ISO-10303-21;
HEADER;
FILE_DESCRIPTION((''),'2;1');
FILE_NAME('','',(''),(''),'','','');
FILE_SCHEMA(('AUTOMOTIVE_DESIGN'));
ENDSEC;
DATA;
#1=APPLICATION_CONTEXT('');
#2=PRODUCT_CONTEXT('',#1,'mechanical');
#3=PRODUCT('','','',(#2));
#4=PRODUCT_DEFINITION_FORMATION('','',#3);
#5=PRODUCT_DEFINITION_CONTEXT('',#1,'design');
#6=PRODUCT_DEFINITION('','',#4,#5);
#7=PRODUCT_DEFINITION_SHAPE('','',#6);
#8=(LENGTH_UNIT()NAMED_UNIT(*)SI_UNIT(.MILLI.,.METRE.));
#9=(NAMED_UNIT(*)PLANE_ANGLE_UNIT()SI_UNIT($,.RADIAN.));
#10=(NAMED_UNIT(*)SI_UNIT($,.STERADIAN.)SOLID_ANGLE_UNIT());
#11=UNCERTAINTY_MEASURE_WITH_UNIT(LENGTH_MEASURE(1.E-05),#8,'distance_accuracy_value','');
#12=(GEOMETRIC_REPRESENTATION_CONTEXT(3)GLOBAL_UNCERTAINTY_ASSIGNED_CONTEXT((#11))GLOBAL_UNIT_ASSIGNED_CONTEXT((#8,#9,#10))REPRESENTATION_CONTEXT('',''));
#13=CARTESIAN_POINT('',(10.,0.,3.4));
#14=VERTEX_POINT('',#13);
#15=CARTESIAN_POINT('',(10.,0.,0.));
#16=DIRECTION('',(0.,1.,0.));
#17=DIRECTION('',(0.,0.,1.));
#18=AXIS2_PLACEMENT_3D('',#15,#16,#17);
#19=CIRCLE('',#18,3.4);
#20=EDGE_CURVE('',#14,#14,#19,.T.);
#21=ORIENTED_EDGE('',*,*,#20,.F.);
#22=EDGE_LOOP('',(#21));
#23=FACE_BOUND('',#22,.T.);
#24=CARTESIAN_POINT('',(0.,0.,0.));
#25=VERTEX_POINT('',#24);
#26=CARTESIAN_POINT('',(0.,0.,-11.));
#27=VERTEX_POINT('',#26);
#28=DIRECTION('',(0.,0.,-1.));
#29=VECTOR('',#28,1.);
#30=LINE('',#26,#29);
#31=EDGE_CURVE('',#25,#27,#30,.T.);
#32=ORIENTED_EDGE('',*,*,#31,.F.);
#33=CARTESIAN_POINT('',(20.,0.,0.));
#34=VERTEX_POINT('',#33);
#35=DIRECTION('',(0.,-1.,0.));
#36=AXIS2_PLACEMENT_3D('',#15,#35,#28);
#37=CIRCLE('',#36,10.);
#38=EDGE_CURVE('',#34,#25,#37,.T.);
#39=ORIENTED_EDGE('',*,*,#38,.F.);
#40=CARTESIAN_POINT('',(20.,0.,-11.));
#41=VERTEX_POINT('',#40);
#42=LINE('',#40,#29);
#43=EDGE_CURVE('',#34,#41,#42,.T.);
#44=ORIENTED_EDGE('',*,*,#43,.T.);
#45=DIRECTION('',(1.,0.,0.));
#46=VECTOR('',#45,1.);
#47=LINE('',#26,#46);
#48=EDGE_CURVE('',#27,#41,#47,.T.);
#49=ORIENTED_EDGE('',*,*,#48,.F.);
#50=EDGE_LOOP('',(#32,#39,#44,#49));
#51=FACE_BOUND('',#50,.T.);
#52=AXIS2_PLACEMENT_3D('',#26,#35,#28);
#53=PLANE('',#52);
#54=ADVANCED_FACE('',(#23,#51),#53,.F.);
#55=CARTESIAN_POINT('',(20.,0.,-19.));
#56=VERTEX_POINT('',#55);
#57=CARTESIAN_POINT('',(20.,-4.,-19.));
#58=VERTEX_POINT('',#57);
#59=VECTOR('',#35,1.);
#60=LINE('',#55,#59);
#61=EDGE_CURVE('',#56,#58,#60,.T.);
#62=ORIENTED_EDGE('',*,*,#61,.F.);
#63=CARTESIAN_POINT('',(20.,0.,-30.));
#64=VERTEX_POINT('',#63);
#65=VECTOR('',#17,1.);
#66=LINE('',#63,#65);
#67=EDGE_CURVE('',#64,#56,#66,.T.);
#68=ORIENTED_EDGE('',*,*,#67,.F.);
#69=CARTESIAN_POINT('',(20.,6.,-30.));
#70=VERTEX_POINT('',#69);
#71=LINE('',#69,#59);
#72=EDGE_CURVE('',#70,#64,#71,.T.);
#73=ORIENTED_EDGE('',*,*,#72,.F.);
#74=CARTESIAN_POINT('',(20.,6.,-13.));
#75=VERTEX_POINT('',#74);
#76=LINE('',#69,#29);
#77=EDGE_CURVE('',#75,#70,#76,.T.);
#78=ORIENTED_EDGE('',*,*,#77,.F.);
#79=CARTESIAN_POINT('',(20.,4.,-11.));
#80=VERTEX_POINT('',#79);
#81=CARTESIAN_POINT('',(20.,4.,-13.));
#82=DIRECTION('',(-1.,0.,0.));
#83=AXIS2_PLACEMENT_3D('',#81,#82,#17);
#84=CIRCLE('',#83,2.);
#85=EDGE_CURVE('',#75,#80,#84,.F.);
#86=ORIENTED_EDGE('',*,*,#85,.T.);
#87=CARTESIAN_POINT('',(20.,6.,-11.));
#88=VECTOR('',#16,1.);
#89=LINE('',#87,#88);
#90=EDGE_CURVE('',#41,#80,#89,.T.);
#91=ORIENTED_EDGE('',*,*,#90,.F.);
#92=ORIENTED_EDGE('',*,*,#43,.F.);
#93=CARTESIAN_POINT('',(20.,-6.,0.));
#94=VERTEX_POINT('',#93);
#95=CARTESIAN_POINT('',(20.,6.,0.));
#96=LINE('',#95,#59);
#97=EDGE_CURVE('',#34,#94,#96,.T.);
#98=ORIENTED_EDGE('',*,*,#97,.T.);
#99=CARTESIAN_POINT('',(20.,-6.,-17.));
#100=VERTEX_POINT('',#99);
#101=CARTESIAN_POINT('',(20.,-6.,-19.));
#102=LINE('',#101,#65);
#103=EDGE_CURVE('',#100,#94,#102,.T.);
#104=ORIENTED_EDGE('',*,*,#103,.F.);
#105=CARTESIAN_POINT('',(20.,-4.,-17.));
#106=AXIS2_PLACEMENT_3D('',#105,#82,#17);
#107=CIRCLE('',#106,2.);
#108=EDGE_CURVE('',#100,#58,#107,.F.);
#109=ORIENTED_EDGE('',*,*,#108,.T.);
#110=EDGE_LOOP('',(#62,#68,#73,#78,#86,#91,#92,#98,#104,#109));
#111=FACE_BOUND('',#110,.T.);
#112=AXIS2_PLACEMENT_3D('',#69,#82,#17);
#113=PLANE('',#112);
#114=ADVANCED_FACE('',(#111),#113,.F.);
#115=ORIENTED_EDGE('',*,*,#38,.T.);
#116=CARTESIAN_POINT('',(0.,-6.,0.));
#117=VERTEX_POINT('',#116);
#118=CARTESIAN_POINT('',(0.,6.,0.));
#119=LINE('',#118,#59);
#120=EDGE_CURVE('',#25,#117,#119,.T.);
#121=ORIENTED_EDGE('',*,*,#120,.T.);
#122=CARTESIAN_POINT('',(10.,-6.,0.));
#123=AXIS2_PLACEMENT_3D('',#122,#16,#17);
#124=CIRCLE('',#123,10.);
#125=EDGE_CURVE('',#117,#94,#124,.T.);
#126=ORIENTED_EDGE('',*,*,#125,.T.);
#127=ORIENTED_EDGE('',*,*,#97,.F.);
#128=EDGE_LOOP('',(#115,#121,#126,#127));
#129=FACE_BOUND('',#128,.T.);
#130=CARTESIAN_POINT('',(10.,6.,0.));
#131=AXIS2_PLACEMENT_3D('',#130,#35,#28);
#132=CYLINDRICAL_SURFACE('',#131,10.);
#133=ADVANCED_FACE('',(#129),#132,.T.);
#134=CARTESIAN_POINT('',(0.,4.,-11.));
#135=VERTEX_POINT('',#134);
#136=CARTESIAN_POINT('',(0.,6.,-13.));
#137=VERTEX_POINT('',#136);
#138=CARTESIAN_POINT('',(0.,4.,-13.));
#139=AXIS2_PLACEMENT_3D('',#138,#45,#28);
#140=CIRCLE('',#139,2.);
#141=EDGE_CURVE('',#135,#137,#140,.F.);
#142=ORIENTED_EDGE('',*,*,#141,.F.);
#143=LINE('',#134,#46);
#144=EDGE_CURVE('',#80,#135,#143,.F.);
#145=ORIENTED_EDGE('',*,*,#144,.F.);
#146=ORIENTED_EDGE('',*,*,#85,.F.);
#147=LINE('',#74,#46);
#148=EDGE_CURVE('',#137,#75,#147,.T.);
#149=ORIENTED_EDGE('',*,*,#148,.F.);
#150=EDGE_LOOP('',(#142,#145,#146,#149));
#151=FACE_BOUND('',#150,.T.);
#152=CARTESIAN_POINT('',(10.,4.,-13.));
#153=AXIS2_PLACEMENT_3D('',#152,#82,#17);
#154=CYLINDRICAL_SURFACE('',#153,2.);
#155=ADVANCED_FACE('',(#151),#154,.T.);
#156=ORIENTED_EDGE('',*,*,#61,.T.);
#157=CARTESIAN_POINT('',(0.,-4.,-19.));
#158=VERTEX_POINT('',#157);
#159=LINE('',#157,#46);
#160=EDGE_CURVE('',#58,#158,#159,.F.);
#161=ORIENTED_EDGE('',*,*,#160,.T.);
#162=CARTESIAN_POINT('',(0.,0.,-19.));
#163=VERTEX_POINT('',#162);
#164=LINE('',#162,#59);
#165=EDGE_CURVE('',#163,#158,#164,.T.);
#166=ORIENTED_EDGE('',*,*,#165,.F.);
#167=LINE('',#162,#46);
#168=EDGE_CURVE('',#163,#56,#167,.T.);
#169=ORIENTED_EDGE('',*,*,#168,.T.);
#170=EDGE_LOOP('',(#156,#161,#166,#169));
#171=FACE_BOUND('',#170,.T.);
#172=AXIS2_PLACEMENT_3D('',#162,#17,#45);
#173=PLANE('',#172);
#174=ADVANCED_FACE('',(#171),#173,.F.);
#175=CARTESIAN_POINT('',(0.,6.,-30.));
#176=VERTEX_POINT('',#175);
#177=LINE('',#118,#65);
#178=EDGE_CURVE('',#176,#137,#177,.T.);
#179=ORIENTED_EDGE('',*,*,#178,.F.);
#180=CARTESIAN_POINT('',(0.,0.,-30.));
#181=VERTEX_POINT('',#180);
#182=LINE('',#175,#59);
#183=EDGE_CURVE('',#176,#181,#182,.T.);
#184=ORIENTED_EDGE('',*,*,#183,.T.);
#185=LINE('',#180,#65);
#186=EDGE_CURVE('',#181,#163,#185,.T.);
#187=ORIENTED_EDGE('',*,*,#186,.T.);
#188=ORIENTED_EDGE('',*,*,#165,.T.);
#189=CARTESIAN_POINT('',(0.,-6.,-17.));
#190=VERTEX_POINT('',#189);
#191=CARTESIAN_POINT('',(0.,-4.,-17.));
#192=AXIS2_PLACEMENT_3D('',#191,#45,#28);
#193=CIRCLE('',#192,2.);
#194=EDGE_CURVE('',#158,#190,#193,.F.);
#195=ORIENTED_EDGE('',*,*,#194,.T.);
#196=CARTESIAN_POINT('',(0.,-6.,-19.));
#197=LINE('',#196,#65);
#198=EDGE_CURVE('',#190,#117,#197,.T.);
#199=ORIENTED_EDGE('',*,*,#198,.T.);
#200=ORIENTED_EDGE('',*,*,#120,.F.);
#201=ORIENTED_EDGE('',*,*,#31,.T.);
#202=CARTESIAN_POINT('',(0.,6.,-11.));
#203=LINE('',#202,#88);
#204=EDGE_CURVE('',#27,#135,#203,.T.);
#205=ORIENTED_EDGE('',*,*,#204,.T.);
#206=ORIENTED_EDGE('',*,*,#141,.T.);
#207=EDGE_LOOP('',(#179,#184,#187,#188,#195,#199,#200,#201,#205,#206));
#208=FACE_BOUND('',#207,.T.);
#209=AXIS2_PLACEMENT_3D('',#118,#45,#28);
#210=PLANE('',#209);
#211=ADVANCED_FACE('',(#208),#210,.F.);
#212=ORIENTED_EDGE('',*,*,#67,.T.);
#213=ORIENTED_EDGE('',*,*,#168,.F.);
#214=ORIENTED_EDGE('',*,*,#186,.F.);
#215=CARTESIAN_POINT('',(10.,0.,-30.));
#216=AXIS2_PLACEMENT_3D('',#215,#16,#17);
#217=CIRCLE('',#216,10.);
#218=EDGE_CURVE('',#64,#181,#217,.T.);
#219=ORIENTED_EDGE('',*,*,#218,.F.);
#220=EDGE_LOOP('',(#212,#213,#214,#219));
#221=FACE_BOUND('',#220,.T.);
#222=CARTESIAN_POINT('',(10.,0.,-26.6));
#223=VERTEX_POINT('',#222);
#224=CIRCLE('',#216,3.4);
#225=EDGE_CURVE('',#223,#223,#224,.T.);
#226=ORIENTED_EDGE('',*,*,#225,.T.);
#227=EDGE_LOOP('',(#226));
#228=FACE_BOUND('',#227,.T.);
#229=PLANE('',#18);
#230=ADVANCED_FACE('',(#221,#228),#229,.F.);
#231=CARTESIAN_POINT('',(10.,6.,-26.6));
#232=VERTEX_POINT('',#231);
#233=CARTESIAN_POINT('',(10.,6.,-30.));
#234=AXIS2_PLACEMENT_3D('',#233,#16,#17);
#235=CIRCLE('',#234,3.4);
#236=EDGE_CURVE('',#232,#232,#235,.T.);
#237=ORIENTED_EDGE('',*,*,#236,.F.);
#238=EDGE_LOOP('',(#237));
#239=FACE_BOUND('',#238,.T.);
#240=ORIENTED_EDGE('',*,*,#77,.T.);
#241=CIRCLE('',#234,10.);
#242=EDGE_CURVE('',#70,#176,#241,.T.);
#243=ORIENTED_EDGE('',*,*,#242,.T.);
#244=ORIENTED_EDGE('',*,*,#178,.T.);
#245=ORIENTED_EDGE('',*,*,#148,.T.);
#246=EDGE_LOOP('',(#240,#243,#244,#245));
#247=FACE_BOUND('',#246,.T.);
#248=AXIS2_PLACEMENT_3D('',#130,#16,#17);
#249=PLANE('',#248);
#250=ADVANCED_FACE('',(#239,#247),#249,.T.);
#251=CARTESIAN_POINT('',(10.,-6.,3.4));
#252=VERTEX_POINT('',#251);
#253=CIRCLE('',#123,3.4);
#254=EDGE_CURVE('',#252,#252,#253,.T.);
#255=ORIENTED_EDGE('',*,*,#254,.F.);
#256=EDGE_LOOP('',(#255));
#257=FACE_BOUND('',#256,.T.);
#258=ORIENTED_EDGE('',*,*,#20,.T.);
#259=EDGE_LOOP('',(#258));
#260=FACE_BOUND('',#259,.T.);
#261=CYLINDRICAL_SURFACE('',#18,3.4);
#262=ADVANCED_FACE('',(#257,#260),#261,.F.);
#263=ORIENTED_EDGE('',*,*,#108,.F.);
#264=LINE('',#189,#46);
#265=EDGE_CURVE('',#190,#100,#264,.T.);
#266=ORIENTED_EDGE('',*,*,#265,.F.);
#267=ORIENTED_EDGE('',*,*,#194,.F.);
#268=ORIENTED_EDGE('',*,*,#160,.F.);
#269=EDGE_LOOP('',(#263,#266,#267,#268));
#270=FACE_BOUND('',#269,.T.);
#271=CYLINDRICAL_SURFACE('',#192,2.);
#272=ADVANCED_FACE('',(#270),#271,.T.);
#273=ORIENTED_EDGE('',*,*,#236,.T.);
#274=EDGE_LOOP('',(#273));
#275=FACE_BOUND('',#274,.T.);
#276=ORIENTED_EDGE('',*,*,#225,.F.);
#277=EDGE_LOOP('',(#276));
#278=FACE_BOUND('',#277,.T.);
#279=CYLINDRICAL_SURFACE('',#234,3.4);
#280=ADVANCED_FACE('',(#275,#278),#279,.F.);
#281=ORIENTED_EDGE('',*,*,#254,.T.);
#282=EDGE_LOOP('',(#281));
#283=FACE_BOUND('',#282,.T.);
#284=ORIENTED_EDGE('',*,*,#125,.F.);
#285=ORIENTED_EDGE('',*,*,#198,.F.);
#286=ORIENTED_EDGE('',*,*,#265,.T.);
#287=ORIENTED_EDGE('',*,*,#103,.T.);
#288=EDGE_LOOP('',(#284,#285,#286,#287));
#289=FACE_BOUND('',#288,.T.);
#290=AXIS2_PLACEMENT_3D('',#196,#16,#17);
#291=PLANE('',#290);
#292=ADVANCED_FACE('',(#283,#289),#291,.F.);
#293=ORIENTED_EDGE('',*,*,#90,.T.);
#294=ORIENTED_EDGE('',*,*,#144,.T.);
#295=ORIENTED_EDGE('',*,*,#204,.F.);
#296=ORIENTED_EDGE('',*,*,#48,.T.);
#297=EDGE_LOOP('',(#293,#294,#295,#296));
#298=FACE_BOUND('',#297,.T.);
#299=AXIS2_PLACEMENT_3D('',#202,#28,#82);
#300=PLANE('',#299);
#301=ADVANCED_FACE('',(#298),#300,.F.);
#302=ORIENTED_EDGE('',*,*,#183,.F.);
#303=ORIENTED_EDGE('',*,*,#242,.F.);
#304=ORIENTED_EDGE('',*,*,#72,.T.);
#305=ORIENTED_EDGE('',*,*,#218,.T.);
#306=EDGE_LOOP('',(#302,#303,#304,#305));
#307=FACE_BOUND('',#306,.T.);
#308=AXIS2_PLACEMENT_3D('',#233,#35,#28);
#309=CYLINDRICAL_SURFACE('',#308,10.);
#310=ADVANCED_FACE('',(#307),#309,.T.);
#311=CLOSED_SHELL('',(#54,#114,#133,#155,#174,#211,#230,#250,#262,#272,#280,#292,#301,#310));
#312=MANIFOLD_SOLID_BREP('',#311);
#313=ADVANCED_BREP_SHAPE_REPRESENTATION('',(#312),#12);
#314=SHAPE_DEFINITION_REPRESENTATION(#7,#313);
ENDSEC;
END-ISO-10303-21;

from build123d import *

# Parameters (mm, degrees)
BOSS_EXTRU_1_DEPTH      = 6
BOSS_EXTRU_2_DEPTH      = 12
ESQUISSE14_W            = 21
ESQUISSE14_H            = 6
ENL_V_MAT_EXTRU_2_DEPTH = 21
TROU_TARAUD_M81_D       = 6.8
TROU_TARAUD_M82_D       = 6.8
CONG_1_R                = 2


with BuildPart() as part:
    # Esquisse1 → Boss.-Extru.1 (new body)
    with BuildSketch(Plane(origin=(0, 0, 0), x_dir=(1, 0, 0), z_dir=(0, 1, 0))):
        with BuildLine():
            Line((0, 0), (0, 30))
            ThreePointArc((0, 30), (10, 40), (20, 30))
            Line((20, 30), (20, 0))
            ThreePointArc((20, 0), (10, -10), (0, 0))
        make_face()
    extrude(amount=BOSS_EXTRU_1_DEPTH)

    # Esquisse12 → Boss.-Extru.2 (add)
    with BuildSketch(Plane.XZ):
        with BuildLine():
            Line((0, -30), (20, -30))
            Line((20, -30), (20, 0))
            ThreePointArc((20, 0), (10, 10), (0, 0))
            Line((0, 0), (0, -30))
        make_face()
    extrude(amount=BOSS_EXTRU_2_DEPTH)

    # Esquisse14 → Enlèv. mat.-Extru.2 (cut, through all)
    with BuildSketch(Plane(origin=(20, 0, 0), x_dir=(0, 0, -1), z_dir=(1, 0, 0))):
        with Locations((0.5, 3)):
            Rectangle(ESQUISSE14_W, ESQUISSE14_H)
        Polygon((30, 0), (19, 0), (19, -6), (-10, -6), (-10, -12), (30, -12), align=None)
    extrude(amount=-ENL_V_MAT_EXTRU_2_DEPTH, mode=Mode.SUBTRACT)

    # Trou taraudé M81 (through all)
    with Locations(Plane(origin=(0, 6, 0), x_dir=(1, 0, 0), z_dir=(0, 1, 0))):
        with Locations((10, 30)):
            Hole(TROU_TARAUD_M81_D / 2)

    # Trou taraudé M82 (through all)
    with Locations(Plane(origin=(0, 0, 0), x_dir=(1, 0, 0), z_dir=(0, 1, 0))):
        with Locations((10, 0)):
            Hole(TROU_TARAUD_M82_D / 2)

    # Congé1
    cong_1_edges = [part.edges().sort_by_distance(p)[0] for p in [
        (10, -6, -19),
        (10, 6, -11),
    ]]
    fillet(cong_1_edges, radius=CONG_1_R)


solid = part.part
